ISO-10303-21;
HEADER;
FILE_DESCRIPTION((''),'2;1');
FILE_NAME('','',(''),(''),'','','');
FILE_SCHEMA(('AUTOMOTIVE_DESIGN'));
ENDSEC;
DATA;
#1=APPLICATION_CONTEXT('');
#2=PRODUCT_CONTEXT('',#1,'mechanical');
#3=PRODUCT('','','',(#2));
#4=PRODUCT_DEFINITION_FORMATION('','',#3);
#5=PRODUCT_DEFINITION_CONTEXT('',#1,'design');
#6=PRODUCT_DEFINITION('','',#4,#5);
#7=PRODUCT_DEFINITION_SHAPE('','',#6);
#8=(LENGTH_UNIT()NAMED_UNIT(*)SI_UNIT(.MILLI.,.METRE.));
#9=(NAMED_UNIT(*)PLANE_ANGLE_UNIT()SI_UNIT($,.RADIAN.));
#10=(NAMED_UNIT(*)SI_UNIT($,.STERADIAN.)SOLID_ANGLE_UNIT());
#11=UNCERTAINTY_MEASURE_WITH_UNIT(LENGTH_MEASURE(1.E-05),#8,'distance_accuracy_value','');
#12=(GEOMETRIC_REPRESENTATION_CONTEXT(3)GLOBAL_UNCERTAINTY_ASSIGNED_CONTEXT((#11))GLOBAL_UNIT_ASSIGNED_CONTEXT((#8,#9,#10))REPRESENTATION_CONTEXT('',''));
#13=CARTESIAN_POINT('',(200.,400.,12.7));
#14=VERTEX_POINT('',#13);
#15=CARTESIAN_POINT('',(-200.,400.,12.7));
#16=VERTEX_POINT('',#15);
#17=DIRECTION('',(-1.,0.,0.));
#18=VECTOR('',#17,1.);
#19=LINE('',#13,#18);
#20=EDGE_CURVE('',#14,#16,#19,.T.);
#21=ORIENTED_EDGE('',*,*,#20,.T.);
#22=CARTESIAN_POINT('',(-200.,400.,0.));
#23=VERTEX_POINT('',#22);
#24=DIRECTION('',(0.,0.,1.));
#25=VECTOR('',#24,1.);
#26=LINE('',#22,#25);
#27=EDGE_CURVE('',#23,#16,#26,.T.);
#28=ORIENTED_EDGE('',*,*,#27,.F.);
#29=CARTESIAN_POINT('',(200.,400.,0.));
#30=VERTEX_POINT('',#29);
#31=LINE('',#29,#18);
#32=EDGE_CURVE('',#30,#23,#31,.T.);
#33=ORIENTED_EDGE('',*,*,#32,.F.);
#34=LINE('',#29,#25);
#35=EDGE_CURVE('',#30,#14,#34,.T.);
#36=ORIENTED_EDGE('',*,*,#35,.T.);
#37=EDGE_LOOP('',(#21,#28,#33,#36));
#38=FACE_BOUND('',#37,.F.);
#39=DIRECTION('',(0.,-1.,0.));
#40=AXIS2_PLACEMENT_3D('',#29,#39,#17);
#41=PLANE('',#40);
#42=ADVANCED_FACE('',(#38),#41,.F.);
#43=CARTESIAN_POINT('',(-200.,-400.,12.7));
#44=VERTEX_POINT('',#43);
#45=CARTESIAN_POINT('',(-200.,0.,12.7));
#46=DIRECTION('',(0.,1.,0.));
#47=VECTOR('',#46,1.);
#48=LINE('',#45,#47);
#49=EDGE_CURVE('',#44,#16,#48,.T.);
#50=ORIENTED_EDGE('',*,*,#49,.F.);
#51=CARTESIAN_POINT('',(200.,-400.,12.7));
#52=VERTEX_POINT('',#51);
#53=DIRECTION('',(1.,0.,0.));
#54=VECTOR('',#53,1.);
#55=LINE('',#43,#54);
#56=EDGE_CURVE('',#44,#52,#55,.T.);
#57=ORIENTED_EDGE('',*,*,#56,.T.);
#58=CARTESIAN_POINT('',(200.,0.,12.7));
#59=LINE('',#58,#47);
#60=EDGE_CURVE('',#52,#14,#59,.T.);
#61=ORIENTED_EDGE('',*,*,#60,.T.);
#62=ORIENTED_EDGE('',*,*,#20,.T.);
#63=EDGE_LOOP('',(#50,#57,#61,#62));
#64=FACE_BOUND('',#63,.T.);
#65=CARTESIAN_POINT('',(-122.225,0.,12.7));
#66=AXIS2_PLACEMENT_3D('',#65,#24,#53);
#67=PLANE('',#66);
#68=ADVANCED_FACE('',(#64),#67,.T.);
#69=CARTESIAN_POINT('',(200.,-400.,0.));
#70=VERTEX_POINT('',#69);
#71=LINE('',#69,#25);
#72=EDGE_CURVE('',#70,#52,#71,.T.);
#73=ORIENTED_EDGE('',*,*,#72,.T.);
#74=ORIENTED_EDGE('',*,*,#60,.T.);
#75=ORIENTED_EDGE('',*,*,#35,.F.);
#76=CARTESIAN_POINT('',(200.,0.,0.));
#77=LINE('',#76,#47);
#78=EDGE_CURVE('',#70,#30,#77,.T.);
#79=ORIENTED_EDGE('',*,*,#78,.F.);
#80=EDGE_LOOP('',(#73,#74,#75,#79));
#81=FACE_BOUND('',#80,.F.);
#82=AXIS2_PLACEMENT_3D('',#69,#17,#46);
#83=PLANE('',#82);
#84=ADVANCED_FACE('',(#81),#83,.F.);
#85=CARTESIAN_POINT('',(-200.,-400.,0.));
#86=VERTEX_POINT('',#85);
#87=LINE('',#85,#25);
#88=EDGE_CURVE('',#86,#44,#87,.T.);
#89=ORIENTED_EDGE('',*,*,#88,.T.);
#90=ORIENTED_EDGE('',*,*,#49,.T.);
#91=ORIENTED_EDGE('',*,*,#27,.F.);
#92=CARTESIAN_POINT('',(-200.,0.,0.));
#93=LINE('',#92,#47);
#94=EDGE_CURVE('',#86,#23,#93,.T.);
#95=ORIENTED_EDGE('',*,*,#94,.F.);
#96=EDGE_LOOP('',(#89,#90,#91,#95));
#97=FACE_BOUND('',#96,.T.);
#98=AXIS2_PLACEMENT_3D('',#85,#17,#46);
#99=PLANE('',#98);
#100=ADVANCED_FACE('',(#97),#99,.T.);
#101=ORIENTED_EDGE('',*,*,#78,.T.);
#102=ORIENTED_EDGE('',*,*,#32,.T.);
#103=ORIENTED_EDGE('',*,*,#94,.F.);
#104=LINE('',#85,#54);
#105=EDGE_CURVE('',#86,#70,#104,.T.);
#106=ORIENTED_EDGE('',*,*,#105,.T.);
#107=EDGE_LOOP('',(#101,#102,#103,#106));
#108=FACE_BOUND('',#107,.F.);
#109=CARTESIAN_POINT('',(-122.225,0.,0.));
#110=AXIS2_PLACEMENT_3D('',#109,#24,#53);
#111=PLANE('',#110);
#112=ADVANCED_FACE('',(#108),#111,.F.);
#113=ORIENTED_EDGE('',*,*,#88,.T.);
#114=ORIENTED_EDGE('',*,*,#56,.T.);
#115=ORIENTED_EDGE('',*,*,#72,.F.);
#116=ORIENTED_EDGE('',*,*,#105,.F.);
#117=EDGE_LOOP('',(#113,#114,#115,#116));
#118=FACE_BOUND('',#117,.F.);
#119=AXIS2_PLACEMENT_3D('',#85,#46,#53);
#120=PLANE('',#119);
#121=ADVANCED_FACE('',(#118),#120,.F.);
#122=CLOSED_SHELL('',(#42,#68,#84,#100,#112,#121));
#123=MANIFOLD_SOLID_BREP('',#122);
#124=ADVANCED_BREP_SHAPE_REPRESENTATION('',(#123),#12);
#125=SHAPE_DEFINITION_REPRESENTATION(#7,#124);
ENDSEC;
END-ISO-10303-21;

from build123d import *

# Parameters (mm, degrees)
F0_W     = 155.55
F0_H     = 800
F0_W_2   = 88.9
F1_DEPTH = 12.7


with BuildPart() as f1:
    # F0 (on Top) → F1 (new body)
    with BuildSketch(Plane.XY):
        with Locations((-122.225, 0)):
            Rectangle(F0_W, F0_H)
        Rectangle(F0_W_2, F0_H)
        with Locations((122.225, 0)):
            Rectangle(F0_W, F0_H)
    extrude(amount=F1_DEPTH)


solid = f1.part
